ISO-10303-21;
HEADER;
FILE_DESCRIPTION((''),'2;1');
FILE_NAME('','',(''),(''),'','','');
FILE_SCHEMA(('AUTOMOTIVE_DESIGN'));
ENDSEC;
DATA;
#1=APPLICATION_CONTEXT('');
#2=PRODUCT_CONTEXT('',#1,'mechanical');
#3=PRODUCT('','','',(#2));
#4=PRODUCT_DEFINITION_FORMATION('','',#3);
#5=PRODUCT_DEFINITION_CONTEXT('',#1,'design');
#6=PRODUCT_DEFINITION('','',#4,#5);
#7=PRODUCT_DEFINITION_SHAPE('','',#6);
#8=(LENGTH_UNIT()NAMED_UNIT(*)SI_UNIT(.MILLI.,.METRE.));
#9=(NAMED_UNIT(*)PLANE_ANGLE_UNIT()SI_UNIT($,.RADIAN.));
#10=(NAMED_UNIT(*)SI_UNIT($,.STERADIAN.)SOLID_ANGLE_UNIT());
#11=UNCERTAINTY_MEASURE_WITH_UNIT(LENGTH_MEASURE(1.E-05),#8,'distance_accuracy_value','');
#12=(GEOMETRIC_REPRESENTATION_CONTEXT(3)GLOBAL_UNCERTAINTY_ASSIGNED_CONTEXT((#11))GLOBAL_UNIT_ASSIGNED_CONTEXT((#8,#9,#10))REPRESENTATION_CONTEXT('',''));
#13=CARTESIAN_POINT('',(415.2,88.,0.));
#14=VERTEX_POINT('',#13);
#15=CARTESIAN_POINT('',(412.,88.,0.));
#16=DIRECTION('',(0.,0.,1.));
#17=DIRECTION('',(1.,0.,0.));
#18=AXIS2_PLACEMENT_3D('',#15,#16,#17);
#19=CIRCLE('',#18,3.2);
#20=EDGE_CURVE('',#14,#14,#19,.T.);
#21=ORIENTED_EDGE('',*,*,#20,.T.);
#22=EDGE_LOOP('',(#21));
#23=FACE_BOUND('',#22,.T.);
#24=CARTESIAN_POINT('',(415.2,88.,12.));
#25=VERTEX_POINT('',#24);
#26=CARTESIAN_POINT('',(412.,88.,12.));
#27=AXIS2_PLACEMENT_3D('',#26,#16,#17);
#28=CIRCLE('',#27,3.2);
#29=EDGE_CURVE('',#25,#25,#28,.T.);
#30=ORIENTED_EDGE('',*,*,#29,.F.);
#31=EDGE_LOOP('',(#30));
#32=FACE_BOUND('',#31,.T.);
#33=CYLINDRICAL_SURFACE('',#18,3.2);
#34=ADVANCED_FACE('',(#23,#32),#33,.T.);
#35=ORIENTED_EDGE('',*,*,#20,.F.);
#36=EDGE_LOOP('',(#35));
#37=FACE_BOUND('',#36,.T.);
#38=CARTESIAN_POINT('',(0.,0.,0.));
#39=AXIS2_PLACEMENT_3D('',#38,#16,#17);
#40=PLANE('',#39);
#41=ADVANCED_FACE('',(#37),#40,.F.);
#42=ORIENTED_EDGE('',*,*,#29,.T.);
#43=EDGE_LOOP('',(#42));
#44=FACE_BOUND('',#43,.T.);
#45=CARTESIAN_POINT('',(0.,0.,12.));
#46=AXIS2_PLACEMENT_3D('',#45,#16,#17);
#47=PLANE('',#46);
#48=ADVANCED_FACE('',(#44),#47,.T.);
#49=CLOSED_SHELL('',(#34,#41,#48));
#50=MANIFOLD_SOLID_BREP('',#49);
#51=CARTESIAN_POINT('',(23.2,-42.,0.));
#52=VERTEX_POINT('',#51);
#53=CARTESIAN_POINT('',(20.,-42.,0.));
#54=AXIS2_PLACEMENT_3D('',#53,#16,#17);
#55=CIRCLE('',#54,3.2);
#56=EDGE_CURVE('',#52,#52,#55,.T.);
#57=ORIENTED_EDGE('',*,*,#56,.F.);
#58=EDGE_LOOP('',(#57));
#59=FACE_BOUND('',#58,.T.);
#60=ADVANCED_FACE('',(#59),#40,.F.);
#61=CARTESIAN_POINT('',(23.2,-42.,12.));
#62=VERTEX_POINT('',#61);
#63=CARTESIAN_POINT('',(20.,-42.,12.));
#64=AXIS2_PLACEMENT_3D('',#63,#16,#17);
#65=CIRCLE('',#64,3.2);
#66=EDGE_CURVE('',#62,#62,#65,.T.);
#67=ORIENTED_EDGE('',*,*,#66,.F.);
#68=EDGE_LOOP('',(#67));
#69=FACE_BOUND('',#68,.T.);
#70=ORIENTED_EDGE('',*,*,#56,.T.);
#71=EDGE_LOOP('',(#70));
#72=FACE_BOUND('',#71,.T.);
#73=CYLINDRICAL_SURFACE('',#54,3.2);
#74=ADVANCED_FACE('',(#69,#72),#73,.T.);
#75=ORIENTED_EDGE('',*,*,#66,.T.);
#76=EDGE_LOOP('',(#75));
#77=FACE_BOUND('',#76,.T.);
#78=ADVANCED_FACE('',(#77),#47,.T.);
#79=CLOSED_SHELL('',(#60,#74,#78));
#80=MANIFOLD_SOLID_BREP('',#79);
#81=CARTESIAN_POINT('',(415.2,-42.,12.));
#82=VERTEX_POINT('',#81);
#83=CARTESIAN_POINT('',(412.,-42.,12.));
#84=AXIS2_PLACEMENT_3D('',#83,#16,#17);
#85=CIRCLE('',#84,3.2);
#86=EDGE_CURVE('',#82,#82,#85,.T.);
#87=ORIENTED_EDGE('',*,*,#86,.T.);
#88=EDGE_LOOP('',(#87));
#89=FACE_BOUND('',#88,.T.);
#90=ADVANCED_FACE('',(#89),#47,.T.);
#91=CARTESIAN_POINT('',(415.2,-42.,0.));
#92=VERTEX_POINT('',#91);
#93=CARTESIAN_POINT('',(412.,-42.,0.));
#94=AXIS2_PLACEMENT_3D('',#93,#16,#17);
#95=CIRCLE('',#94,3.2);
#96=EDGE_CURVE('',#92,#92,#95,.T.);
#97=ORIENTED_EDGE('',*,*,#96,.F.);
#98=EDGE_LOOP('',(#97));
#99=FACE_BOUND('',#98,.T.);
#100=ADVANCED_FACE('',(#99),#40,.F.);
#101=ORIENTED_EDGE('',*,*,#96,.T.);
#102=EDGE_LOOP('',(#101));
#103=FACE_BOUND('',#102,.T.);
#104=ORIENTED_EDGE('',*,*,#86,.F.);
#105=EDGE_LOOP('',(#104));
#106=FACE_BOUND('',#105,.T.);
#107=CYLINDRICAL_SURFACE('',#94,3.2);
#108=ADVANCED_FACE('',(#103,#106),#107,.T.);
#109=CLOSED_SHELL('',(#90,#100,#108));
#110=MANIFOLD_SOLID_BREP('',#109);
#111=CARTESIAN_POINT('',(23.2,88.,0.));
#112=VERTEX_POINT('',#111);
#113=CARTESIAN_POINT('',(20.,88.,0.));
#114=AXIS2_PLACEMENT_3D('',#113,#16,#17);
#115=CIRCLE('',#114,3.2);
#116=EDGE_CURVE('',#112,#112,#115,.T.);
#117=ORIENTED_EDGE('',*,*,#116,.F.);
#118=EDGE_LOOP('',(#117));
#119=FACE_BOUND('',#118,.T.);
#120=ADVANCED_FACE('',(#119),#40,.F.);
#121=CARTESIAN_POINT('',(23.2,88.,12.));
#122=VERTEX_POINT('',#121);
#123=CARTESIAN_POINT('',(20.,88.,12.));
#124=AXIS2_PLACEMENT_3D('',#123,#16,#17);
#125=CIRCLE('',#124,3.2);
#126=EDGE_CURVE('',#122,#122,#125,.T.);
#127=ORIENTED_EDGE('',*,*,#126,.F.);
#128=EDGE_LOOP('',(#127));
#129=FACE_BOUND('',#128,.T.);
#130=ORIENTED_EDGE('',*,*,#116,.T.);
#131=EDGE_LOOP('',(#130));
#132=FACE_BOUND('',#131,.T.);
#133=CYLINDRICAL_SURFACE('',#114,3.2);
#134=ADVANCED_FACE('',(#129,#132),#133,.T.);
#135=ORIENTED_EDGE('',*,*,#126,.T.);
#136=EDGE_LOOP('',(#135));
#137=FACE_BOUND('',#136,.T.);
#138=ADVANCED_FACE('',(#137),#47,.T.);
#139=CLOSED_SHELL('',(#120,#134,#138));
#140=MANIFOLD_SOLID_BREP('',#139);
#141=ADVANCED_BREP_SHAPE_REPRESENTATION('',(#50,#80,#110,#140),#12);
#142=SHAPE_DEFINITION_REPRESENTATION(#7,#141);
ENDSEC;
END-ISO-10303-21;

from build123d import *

# Parameters (mm, degrees)
SKETCH_1_W          = 432
SKETCH_1_H          = 330
EXTRUDE_1_DEPTH     = 12
SKETCH_2_OUTSIDE_W  = 542.75
SKETCH_2_OUTSIDE_H  = 440.75
SKETCH_2_OUTSIDE_R  = 3.2
CUT_EXTRUDE_1_DEPTH = 492.927840237


with BuildPart() as part:
    # 草图1 → 凸台-拉伸1 (new body)
    with BuildSketch(Plane.XY):
        with Locations((216, 70)):
            Rectangle(SKETCH_1_W, SKETCH_1_H)
    extrude(amount=EXTRUDE_1_DEPTH)

    # 草图2 outside → 切除-拉伸1 (cut, through all)
    with BuildSketch(Plane.XY.offset(12)):
        with Locations((216, 70)):
            Rectangle(SKETCH_2_OUTSIDE_W, SKETCH_2_OUTSIDE_H)
        with Locations((20, -42)):
            Circle(SKETCH_2_OUTSIDE_R, mode=Mode.SUBTRACT)
        with Locations((412, -42)):
            Circle(SKETCH_2_OUTSIDE_R, mode=Mode.SUBTRACT)
        with Locations((20, 88)):
            Circle(SKETCH_2_OUTSIDE_R, mode=Mode.SUBTRACT)
        with Locations((412, 88)):
            Circle(SKETCH_2_OUTSIDE_R, mode=Mode.SUBTRACT)
    extrude(amount=-CUT_EXTRUDE_1_DEPTH, mode=Mode.SUBTRACT)


with BuildPart() as cut_extrude_1_piece_1:
    # of the separate pieces the step leaves, piece 1, a body of its own (cut_extrude_1_pieces)
    add(part.part.solids().sort_by_distance((23.2, -42, 0))[0])


with BuildPart() as cut_extrude_1_piece_2:
    # of the separate pieces the step leaves, piece 2, a body of its own (cut_extrude_1_pieces)
    add(part.part.solids().sort_by_distance((23.2, 88, 0))[0])


with BuildPart() as cut_extrude_1_piece_3:
    # of the separate pieces the step leaves, piece 3, a body of its own (cut_extrude_1_pieces)
    add(part.part.solids().sort_by_distance((415.2, -42, 0))[0])


with BuildPart() as cut_extrude_1_piece_4:
    # of the separate pieces the step leaves, piece 4, a body of its own (cut_extrude_1_pieces)
    add(part.part.solids().sort_by_distance((415.2, 88, 0))[0])


solid = Compound([cut_extrude_1_piece_1.part, cut_extrude_1_piece_2.part, cut_extrude_1_piece_3.part, cut_extrude_1_piece_4.part])
